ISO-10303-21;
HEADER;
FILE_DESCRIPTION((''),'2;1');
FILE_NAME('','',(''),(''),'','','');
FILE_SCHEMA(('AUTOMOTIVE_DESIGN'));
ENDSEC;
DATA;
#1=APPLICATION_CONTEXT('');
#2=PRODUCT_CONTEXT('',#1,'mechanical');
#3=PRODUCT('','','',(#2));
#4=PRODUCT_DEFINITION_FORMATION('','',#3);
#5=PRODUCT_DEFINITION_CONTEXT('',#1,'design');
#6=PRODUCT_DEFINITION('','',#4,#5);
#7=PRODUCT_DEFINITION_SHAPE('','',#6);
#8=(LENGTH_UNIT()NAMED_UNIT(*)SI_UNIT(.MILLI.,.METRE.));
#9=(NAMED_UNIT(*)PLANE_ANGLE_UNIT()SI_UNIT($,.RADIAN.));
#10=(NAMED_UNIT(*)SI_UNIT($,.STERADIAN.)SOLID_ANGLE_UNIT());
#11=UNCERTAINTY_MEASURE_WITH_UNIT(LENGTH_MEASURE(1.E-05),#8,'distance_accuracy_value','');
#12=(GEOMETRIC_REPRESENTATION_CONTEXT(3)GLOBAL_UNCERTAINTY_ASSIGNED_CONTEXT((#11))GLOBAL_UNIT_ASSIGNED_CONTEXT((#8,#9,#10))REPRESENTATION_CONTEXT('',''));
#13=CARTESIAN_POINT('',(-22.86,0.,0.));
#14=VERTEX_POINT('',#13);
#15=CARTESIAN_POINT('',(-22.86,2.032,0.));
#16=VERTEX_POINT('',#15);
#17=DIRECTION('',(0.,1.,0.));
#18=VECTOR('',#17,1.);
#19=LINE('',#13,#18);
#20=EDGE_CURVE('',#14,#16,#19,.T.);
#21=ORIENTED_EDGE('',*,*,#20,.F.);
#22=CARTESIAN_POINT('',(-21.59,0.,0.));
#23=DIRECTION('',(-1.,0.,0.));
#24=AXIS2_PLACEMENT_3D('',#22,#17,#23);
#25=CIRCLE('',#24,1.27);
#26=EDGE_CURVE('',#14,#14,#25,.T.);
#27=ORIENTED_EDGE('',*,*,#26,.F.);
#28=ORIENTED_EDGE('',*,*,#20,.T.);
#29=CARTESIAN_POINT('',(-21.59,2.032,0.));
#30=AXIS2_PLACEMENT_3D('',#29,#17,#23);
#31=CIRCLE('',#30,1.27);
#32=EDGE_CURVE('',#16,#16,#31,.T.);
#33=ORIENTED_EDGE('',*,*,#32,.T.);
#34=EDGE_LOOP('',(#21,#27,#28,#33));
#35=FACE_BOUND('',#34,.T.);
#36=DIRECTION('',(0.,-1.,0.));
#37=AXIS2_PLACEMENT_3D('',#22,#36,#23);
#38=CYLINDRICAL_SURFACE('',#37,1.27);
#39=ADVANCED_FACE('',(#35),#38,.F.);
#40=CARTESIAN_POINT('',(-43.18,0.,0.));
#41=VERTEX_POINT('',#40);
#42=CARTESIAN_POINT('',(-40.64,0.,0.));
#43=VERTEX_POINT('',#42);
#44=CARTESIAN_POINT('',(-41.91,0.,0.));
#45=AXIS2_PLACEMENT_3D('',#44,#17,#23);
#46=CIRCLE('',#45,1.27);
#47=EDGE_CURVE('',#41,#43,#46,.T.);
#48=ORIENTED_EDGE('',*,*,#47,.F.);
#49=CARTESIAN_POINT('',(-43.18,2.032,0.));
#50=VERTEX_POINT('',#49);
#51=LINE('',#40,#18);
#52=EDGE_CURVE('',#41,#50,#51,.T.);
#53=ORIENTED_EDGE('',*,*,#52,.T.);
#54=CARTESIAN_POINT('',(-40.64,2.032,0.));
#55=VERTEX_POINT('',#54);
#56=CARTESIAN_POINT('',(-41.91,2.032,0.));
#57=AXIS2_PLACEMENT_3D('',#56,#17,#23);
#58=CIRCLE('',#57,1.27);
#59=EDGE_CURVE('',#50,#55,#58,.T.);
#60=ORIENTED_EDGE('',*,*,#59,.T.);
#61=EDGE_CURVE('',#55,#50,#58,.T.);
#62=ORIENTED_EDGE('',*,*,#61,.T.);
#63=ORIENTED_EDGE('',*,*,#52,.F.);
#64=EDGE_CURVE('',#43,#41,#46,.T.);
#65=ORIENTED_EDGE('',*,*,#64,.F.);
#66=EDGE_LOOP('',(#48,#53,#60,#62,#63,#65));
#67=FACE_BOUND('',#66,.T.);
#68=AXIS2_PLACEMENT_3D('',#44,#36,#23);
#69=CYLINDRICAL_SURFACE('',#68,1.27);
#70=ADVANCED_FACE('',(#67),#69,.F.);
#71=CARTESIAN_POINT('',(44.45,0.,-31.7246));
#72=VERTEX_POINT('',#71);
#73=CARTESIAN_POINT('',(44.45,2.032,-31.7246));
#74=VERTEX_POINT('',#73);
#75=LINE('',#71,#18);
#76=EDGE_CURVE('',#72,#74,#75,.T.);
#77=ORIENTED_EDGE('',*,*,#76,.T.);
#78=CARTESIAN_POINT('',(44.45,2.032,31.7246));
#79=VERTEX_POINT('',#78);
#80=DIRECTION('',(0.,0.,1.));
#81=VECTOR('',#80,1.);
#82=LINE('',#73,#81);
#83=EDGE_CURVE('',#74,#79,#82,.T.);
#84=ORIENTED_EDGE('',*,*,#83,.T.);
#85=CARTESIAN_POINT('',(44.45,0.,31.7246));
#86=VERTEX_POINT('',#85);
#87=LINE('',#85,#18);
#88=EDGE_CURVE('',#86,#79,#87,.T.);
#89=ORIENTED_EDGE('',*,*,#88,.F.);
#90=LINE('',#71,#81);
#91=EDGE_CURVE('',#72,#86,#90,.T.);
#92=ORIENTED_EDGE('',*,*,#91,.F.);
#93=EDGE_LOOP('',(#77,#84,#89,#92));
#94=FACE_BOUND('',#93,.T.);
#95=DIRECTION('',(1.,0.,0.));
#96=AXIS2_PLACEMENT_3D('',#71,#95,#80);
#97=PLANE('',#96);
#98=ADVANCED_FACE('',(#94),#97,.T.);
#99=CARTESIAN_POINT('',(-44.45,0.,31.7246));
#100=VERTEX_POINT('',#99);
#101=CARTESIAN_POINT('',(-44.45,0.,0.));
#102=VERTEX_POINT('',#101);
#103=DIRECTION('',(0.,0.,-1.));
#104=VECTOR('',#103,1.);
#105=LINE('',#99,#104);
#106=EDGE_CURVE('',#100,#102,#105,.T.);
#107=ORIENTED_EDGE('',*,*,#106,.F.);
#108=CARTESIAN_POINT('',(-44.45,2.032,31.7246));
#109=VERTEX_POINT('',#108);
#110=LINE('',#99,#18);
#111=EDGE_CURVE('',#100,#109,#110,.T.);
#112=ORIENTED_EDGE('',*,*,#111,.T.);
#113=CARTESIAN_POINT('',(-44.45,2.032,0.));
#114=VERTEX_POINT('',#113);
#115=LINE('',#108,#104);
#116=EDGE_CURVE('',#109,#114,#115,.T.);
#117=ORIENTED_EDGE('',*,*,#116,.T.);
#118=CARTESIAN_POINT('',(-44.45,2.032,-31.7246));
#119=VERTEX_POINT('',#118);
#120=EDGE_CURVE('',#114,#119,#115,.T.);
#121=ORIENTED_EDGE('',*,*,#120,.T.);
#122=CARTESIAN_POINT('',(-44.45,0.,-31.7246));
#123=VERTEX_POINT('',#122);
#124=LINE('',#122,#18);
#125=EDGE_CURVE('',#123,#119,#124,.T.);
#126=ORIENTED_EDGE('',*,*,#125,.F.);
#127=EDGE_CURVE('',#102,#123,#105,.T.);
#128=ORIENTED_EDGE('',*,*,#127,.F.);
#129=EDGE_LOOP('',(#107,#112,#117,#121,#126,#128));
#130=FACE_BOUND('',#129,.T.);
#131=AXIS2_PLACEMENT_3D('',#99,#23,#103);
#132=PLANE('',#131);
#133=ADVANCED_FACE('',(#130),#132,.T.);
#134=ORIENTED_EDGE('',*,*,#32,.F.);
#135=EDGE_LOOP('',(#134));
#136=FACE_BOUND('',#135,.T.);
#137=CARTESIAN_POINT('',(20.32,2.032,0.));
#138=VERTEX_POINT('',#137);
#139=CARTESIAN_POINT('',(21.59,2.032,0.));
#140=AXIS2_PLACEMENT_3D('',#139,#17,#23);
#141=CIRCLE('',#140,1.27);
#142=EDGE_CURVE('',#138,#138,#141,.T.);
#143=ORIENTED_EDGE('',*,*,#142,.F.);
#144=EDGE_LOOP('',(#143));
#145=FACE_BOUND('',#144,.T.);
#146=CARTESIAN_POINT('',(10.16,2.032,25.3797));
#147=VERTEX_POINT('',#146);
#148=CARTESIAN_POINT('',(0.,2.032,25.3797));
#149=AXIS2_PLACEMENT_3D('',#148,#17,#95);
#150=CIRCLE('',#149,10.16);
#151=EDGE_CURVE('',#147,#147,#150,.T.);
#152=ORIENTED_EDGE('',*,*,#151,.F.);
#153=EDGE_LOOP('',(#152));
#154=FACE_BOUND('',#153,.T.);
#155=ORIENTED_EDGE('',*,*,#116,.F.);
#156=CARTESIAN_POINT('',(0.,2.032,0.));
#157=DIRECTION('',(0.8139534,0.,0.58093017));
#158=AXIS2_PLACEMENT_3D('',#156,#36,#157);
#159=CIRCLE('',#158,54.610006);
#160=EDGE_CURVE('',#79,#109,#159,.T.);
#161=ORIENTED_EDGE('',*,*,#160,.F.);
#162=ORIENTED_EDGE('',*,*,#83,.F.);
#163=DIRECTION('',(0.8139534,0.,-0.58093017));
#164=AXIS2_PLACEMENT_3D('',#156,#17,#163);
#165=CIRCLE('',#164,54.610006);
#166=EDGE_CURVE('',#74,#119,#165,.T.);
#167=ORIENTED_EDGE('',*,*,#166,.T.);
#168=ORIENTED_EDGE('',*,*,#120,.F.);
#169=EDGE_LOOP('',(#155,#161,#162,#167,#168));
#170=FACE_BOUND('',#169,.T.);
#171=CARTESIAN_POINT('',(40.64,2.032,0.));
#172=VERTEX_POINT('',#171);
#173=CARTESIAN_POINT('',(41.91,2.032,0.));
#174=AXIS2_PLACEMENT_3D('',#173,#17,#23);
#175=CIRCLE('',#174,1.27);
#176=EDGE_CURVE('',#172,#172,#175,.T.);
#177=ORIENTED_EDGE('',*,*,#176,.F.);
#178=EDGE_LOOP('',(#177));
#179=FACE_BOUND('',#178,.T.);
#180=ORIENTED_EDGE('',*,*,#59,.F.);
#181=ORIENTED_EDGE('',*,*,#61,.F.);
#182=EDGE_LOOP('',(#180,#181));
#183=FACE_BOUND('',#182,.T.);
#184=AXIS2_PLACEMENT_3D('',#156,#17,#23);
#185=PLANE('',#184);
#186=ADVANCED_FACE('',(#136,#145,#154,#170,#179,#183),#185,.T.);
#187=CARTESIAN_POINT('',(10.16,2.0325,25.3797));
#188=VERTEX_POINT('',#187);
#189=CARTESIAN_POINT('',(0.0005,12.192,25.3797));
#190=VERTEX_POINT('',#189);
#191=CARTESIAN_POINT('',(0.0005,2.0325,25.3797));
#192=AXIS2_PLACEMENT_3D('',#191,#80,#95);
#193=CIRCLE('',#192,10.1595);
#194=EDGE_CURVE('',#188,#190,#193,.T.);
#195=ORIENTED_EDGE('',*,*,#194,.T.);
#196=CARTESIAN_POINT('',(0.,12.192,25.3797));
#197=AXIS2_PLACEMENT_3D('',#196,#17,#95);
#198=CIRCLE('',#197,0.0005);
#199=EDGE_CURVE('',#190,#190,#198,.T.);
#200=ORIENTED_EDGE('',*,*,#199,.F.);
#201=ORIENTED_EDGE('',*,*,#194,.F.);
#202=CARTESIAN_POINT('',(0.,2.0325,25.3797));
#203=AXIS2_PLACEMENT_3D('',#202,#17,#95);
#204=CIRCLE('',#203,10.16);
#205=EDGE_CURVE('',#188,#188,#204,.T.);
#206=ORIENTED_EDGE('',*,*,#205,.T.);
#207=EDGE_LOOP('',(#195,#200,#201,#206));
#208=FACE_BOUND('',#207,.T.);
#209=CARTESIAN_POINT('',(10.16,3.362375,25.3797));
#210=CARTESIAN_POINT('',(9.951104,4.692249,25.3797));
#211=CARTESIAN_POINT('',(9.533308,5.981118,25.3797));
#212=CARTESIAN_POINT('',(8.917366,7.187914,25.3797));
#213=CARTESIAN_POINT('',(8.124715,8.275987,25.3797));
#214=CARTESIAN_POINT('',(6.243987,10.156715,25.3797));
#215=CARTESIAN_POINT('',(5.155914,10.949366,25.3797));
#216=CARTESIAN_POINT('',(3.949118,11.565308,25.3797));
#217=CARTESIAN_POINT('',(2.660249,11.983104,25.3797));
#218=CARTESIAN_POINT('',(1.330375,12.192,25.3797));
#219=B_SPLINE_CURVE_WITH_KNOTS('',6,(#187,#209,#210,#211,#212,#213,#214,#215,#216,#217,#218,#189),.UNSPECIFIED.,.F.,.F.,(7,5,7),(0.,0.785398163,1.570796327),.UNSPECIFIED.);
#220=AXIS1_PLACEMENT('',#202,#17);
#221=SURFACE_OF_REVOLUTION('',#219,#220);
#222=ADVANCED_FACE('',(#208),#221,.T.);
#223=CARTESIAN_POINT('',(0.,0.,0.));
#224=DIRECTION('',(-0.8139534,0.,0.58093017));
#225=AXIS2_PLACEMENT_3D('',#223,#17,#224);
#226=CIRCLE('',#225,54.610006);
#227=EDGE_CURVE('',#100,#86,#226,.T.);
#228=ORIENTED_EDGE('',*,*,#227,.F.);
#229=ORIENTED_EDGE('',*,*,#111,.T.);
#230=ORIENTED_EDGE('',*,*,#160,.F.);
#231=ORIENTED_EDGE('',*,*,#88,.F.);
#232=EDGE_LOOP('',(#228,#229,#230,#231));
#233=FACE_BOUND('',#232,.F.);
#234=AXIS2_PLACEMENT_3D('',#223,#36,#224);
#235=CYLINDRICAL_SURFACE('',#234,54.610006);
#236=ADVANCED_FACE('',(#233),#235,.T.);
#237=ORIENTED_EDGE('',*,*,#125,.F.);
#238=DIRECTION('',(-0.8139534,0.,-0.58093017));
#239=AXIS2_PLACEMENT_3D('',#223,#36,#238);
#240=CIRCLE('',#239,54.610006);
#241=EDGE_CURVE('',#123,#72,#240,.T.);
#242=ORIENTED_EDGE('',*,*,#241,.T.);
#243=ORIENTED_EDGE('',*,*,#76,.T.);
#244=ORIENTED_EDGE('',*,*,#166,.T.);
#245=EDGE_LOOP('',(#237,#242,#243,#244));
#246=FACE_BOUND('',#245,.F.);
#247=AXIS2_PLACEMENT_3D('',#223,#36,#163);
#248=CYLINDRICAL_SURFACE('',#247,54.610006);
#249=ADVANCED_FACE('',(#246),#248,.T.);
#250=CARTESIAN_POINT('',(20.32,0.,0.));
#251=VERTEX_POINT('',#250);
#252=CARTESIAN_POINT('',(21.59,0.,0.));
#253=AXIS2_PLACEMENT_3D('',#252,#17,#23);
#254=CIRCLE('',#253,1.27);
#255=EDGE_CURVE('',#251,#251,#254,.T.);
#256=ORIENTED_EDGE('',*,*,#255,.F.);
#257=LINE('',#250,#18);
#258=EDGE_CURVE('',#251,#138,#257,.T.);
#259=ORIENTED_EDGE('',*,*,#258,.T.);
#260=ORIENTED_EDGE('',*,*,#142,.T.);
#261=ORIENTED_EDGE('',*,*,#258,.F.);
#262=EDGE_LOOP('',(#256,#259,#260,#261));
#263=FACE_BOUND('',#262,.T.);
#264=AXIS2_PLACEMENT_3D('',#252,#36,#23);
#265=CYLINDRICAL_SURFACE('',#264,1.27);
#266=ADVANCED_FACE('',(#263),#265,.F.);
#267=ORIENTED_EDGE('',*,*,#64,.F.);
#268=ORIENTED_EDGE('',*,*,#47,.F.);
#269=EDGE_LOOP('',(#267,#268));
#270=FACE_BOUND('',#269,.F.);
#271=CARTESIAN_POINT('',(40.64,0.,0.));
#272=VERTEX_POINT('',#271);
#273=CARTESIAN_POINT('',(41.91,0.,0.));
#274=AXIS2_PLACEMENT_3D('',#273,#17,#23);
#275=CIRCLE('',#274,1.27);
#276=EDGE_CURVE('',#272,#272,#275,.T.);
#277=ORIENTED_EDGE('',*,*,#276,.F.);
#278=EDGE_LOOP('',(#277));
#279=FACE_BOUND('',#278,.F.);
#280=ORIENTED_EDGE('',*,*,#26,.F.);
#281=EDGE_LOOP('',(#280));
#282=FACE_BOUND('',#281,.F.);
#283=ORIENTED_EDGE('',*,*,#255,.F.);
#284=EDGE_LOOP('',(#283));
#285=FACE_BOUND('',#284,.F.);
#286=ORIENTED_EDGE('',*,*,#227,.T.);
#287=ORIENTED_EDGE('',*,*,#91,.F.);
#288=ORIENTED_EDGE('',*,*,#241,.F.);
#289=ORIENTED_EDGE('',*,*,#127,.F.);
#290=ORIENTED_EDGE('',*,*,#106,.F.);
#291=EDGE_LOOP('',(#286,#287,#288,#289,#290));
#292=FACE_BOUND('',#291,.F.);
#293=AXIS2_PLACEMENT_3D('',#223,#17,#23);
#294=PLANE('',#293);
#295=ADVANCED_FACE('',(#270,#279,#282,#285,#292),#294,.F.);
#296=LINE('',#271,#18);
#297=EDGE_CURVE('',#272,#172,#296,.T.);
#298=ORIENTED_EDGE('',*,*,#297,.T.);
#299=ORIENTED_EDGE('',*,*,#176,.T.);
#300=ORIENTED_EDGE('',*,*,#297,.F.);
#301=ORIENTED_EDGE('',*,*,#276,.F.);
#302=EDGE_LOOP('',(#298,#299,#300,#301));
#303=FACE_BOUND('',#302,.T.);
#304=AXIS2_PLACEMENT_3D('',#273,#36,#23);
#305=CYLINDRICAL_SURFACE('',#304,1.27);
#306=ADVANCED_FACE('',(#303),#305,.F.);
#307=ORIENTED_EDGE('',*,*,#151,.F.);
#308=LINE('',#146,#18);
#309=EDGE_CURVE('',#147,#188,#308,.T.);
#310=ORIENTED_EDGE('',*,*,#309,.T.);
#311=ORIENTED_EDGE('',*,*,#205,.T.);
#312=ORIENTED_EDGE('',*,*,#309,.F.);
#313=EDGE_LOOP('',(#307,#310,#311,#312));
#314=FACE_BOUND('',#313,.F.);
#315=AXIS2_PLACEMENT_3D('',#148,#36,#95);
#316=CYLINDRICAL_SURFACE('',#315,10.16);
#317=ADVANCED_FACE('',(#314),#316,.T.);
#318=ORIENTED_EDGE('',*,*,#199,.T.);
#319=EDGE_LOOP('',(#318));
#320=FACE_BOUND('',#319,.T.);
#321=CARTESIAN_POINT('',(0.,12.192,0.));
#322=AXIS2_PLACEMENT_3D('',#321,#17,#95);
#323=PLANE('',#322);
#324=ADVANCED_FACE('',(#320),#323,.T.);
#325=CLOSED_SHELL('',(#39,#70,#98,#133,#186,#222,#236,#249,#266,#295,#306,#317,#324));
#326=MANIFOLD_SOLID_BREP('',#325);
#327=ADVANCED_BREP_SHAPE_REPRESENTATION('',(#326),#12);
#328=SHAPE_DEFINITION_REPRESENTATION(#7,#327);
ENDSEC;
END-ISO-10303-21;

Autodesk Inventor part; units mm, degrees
ref_plane "YZ Plane" through (0, 0, 0) normal (1, 0, 0) x (0, 1, 0)
ref_plane "XZ Plane" through (0, 0, 0) normal (0, 1, 0) x (-1, 0, 0)
ref_plane "XY Plane" through (0, 0, 0) normal (0, 0, 1) x (1, 0, 0)
sketch "Sketch1" plane through (0, 0, 0) normal (0, 1, 0) x (-1, 0, 0)
  line L0 (44.45, 31.7246) -> (44.45, -31.7246)
  line L1 (-44.45, -31.7246) -> (-44.45, 31.7246)
  arc A0 (-44.45, -31.7246) -> (44.45, -31.7246) centre (0, 0) ccw
  arc A1 (44.45, 31.7246) -> (-44.45, 31.7246) centre (0, 0) ccw
  line L2 (44.45, 0) -> (41.91, 0)
  circle A2 centre (41.91, 0) radius 1.27
  line L3 (41.91, 0) -> (21.59, 0)
  circle A3 centre (21.59, 0) radius 1.27
  line L4 (0, -54.61) -> (0, 54.61)
  circle A4 centre (-41.91, 0) radius 1.27
  circle A5 centre (-21.59, 0) radius 1.27
  dimension "d3" = 88.9
  dimension "d4" = 2.54
  dimension "d5" = 2.54
  dimension "d6" = 20.32
  dimension "d7" = 2.54
extrude "Extrusion1" add sketch "Sketch1" along normal blind 2.032
sketch "Sketch2" plane through (0, 2.032, 0) normal (0, 1, 0) x (1, 0, 0)
  circle A0 centre (0, -25.3797) radius 10.16
  point P0 (0, 0)
  dimension "d10" = 20.32
extrude "Extrusion2" add sketch "Sketch2" along normal blind 10.16
fillet "Fillet1" radius 10.16 1 edges at (-10.16, 12.192, 25.3797)
properties part number "Base Plate"
